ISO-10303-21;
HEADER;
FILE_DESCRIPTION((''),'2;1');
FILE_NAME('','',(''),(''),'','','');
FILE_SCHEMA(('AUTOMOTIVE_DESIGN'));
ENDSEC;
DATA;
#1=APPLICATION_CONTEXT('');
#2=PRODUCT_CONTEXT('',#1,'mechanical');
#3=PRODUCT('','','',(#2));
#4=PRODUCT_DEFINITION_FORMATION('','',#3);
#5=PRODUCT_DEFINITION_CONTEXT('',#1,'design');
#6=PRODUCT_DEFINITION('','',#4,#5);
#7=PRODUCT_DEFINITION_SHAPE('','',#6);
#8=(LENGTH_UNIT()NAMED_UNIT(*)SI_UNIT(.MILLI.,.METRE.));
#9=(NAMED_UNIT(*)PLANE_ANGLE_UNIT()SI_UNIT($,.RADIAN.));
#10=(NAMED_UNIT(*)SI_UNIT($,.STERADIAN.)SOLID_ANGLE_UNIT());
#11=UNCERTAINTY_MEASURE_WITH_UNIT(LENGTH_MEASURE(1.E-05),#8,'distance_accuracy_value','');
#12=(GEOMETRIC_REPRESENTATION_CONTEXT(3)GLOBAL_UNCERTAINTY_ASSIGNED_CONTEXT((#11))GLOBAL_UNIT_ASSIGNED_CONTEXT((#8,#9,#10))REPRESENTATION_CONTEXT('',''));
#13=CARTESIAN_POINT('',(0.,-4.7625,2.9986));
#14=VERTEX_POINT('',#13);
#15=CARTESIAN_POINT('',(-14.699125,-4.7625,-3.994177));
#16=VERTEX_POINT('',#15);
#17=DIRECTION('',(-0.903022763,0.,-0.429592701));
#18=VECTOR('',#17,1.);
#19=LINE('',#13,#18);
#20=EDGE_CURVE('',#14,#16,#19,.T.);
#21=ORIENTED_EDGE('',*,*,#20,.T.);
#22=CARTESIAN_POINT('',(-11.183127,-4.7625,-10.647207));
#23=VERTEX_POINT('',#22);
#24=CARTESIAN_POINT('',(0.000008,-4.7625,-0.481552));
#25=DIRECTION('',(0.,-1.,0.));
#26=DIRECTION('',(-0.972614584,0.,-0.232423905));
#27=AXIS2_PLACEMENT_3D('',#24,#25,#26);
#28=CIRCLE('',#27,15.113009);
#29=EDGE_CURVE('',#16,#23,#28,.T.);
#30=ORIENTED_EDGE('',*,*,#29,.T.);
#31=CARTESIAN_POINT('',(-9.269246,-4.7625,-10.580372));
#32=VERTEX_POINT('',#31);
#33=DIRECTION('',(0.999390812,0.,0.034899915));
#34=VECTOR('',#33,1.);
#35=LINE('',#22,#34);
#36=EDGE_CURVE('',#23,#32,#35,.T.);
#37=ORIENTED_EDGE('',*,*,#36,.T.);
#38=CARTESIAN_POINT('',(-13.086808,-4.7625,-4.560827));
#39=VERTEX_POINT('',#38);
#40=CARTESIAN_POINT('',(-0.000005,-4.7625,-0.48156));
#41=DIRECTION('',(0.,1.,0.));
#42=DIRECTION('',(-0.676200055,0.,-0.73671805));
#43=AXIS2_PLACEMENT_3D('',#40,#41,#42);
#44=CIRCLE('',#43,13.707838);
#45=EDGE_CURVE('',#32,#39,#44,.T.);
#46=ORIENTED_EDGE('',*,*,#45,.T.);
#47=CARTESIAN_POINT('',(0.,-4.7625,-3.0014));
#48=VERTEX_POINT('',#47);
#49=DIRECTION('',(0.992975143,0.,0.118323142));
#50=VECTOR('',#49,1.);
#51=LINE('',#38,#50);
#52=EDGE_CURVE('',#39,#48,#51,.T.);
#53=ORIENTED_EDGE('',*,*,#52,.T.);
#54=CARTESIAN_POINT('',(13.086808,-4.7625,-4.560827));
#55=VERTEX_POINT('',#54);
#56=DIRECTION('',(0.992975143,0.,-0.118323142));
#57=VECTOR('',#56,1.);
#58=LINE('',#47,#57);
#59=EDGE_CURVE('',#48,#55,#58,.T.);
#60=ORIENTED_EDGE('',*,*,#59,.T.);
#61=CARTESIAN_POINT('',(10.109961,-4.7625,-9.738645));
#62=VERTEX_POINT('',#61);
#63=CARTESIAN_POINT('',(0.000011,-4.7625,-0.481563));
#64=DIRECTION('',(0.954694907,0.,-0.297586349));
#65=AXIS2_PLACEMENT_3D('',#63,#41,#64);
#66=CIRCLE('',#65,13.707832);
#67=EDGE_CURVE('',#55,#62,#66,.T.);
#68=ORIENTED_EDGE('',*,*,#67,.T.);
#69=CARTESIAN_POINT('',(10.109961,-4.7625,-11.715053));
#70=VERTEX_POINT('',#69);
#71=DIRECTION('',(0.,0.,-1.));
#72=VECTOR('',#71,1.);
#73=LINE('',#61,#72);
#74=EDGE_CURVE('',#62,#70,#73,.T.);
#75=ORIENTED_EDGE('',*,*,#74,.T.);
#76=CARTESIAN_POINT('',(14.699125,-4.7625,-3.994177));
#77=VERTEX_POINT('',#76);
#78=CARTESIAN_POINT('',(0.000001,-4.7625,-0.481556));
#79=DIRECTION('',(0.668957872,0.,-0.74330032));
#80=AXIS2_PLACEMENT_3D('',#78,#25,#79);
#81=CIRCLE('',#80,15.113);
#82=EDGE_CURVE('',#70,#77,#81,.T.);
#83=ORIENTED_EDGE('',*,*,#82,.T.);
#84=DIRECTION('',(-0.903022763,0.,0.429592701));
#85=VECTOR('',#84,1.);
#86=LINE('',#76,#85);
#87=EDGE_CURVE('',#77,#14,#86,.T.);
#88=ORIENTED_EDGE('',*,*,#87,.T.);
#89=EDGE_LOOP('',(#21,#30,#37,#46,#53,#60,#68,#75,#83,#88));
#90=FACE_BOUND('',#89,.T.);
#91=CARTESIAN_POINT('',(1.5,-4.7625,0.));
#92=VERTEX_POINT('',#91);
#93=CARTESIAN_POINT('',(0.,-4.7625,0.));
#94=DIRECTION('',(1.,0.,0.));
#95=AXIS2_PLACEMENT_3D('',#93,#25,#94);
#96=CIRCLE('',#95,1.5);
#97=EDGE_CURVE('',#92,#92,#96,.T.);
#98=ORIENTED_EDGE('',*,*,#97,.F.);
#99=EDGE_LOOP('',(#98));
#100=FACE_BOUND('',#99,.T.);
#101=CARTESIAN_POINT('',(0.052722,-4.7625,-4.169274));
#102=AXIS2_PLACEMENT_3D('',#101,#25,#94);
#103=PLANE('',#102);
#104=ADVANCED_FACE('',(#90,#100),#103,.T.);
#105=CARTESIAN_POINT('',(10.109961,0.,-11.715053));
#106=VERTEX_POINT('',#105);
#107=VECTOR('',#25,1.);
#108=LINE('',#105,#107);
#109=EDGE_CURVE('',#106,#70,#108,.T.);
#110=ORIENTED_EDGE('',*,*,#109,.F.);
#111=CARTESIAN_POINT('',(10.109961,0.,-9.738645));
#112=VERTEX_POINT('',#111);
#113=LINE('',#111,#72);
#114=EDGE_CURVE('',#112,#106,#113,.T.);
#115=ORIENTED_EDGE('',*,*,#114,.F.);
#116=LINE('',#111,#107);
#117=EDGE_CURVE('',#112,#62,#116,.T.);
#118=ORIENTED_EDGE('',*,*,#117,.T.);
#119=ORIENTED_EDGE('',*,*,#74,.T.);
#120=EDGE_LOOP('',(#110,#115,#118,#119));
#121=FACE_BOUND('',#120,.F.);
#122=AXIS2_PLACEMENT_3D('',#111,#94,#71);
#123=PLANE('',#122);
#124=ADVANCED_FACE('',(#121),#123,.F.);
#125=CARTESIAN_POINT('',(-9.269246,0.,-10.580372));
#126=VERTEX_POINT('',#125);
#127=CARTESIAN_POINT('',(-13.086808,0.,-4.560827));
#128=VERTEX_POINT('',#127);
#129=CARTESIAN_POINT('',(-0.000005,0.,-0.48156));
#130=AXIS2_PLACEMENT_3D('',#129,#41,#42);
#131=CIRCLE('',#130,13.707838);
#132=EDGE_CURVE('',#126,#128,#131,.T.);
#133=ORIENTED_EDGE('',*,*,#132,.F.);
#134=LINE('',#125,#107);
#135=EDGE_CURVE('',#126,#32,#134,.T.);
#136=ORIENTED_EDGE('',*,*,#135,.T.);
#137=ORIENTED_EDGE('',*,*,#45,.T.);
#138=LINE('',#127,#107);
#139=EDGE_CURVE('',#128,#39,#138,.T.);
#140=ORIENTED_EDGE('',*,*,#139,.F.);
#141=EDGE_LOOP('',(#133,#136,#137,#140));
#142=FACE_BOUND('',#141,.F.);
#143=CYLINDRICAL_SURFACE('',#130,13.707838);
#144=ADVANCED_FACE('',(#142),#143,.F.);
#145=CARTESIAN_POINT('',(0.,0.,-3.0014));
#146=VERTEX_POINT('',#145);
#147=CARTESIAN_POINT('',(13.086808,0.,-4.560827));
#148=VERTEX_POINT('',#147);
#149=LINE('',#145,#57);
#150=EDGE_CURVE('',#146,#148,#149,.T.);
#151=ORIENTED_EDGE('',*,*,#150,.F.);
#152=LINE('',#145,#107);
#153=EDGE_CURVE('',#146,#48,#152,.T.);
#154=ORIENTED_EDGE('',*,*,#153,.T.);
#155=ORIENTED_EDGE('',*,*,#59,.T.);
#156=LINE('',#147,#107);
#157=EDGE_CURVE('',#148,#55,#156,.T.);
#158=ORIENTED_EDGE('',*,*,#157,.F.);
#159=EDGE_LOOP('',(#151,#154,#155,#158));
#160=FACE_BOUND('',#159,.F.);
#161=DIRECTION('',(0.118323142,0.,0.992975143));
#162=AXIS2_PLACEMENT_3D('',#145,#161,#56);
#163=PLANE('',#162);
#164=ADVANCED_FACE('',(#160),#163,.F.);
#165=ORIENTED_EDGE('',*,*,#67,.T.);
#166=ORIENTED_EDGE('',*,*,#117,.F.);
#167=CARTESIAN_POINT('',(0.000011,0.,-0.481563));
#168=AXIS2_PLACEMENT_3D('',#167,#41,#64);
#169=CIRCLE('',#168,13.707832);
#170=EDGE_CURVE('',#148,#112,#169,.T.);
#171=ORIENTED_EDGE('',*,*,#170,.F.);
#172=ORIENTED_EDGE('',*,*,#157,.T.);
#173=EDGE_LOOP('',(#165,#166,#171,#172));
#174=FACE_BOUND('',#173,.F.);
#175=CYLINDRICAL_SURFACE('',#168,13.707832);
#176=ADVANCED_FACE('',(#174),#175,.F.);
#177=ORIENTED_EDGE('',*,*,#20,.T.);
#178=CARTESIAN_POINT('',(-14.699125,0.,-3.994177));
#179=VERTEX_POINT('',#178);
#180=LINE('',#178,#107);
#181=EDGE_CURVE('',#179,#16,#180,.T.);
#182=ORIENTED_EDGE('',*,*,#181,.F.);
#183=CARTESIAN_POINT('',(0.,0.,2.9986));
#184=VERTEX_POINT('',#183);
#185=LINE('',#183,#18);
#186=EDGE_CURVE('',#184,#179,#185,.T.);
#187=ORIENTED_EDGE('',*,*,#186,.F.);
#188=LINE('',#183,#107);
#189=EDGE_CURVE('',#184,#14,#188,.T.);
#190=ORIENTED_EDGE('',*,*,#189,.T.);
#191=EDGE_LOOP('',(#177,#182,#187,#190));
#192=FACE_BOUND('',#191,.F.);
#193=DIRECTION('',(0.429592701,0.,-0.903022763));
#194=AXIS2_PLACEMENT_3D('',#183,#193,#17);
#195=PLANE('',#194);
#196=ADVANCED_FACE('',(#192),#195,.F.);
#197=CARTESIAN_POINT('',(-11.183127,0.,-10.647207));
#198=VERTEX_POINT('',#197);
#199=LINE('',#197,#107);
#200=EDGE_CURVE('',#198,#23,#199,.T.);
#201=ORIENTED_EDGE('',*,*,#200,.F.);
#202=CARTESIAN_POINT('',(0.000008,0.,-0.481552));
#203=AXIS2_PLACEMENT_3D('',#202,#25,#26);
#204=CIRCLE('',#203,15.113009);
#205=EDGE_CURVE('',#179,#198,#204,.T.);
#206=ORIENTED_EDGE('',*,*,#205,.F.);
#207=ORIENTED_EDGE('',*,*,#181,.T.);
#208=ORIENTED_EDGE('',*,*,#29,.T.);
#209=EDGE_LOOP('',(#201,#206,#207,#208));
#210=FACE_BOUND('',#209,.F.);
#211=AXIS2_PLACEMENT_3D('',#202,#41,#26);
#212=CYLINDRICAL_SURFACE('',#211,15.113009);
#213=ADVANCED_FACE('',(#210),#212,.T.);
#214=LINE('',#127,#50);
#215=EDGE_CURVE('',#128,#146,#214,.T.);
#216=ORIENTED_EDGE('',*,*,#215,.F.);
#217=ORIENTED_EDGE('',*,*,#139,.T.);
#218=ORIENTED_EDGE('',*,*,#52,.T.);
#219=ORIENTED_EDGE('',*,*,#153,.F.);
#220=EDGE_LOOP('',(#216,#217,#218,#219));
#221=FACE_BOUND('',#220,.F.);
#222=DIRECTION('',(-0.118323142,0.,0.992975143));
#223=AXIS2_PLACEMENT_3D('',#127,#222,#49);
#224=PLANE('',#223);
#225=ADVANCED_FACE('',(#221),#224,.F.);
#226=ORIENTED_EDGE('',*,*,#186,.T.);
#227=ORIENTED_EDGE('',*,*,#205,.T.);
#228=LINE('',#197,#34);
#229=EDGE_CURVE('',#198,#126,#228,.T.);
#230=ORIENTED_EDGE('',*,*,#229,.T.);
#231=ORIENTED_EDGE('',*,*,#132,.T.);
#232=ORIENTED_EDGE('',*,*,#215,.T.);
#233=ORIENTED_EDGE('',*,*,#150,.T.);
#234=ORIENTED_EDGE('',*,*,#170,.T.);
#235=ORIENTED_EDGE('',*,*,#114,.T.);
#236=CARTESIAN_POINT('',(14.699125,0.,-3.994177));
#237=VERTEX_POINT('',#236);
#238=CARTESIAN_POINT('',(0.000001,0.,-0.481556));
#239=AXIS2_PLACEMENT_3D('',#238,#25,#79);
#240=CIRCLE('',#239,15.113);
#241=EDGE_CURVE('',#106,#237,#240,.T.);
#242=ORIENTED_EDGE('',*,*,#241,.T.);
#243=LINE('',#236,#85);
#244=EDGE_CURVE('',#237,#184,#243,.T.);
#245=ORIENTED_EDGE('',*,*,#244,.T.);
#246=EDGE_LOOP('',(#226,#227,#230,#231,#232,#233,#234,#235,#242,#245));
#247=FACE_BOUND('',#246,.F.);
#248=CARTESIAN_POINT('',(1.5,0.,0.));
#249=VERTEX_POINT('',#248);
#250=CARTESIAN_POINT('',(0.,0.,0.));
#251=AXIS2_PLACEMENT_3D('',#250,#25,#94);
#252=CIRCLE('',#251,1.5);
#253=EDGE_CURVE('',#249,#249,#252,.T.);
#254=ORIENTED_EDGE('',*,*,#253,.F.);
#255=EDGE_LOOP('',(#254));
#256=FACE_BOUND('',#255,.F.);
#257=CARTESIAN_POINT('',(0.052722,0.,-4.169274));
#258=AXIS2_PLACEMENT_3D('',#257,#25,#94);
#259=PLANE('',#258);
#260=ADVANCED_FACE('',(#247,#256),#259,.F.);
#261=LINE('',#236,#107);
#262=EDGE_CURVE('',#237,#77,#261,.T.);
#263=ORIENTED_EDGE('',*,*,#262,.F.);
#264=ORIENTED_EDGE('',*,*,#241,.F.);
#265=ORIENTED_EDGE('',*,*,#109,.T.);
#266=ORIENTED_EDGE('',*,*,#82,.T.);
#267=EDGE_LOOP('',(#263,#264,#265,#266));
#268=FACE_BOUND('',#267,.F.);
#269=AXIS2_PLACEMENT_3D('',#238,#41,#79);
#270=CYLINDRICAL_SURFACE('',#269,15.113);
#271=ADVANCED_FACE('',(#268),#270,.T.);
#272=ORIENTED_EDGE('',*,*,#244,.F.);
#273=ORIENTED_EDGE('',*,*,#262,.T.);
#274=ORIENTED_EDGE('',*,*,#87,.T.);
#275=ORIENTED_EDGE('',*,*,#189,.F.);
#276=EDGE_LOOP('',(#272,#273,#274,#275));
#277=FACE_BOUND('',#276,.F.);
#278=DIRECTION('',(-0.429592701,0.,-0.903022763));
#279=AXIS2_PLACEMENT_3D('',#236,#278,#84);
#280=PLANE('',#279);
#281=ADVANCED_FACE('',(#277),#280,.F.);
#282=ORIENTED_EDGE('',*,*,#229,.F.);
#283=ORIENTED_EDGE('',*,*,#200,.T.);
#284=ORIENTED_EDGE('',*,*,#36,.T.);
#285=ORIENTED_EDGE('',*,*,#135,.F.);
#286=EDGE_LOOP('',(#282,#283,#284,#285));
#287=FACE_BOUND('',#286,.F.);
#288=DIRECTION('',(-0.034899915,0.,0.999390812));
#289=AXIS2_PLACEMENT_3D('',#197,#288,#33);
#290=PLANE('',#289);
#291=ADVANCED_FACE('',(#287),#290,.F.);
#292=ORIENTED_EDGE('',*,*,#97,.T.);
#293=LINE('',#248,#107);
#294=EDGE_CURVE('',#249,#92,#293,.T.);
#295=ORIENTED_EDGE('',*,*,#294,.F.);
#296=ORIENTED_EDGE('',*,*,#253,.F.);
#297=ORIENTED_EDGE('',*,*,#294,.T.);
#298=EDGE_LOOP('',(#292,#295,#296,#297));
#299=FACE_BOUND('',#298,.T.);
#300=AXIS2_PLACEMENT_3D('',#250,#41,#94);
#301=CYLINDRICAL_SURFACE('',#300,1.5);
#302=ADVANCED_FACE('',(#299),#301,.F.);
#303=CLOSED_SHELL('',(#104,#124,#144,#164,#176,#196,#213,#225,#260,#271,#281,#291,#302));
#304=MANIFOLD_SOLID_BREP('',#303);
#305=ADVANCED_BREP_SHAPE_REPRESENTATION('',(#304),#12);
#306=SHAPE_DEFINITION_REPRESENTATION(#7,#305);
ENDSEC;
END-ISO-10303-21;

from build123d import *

# Parameters (mm, degrees)
F0_R     = 1.5
F1_DEPTH = 4.7625


with BuildPart() as f1:
    # F0 (on Front) → F1 (new body)
    with BuildSketch(Plane.XZ):
        with BuildLine():
            Line((10.109961, -9.738645), (10.109961, -11.715053))
            ThreePointArc((10.109961, -11.715053), (12.991369, -8.203415), (14.699125, -3.994177))
            Line((14.699125, -3.994177), (0, 2.9986))
            Line((0, 2.9986), (-14.699125, -3.994177))
            ThreePointArc((-14.699125, -3.994177), (-13.361828, -7.543024), (-11.183127, -10.647207))
            Line((-11.183127, -10.647207), (-9.269246, -10.580372))
            ThreePointArc((-9.269246, -10.580372), (-11.57614, -7.823081), (-13.086808, -4.560827))
            Line((-13.086808, -4.560827), (0, -3.0014))
            Line((0, -3.0014), (13.086808, -4.560827))
            ThreePointArc((13.086808, -4.560827), (11.883812, -7.313834), (10.109961, -9.738645))
        make_face()
        Circle(F0_R, mode=Mode.SUBTRACT)
    extrude(amount=F1_DEPTH)


solid = f1.part
